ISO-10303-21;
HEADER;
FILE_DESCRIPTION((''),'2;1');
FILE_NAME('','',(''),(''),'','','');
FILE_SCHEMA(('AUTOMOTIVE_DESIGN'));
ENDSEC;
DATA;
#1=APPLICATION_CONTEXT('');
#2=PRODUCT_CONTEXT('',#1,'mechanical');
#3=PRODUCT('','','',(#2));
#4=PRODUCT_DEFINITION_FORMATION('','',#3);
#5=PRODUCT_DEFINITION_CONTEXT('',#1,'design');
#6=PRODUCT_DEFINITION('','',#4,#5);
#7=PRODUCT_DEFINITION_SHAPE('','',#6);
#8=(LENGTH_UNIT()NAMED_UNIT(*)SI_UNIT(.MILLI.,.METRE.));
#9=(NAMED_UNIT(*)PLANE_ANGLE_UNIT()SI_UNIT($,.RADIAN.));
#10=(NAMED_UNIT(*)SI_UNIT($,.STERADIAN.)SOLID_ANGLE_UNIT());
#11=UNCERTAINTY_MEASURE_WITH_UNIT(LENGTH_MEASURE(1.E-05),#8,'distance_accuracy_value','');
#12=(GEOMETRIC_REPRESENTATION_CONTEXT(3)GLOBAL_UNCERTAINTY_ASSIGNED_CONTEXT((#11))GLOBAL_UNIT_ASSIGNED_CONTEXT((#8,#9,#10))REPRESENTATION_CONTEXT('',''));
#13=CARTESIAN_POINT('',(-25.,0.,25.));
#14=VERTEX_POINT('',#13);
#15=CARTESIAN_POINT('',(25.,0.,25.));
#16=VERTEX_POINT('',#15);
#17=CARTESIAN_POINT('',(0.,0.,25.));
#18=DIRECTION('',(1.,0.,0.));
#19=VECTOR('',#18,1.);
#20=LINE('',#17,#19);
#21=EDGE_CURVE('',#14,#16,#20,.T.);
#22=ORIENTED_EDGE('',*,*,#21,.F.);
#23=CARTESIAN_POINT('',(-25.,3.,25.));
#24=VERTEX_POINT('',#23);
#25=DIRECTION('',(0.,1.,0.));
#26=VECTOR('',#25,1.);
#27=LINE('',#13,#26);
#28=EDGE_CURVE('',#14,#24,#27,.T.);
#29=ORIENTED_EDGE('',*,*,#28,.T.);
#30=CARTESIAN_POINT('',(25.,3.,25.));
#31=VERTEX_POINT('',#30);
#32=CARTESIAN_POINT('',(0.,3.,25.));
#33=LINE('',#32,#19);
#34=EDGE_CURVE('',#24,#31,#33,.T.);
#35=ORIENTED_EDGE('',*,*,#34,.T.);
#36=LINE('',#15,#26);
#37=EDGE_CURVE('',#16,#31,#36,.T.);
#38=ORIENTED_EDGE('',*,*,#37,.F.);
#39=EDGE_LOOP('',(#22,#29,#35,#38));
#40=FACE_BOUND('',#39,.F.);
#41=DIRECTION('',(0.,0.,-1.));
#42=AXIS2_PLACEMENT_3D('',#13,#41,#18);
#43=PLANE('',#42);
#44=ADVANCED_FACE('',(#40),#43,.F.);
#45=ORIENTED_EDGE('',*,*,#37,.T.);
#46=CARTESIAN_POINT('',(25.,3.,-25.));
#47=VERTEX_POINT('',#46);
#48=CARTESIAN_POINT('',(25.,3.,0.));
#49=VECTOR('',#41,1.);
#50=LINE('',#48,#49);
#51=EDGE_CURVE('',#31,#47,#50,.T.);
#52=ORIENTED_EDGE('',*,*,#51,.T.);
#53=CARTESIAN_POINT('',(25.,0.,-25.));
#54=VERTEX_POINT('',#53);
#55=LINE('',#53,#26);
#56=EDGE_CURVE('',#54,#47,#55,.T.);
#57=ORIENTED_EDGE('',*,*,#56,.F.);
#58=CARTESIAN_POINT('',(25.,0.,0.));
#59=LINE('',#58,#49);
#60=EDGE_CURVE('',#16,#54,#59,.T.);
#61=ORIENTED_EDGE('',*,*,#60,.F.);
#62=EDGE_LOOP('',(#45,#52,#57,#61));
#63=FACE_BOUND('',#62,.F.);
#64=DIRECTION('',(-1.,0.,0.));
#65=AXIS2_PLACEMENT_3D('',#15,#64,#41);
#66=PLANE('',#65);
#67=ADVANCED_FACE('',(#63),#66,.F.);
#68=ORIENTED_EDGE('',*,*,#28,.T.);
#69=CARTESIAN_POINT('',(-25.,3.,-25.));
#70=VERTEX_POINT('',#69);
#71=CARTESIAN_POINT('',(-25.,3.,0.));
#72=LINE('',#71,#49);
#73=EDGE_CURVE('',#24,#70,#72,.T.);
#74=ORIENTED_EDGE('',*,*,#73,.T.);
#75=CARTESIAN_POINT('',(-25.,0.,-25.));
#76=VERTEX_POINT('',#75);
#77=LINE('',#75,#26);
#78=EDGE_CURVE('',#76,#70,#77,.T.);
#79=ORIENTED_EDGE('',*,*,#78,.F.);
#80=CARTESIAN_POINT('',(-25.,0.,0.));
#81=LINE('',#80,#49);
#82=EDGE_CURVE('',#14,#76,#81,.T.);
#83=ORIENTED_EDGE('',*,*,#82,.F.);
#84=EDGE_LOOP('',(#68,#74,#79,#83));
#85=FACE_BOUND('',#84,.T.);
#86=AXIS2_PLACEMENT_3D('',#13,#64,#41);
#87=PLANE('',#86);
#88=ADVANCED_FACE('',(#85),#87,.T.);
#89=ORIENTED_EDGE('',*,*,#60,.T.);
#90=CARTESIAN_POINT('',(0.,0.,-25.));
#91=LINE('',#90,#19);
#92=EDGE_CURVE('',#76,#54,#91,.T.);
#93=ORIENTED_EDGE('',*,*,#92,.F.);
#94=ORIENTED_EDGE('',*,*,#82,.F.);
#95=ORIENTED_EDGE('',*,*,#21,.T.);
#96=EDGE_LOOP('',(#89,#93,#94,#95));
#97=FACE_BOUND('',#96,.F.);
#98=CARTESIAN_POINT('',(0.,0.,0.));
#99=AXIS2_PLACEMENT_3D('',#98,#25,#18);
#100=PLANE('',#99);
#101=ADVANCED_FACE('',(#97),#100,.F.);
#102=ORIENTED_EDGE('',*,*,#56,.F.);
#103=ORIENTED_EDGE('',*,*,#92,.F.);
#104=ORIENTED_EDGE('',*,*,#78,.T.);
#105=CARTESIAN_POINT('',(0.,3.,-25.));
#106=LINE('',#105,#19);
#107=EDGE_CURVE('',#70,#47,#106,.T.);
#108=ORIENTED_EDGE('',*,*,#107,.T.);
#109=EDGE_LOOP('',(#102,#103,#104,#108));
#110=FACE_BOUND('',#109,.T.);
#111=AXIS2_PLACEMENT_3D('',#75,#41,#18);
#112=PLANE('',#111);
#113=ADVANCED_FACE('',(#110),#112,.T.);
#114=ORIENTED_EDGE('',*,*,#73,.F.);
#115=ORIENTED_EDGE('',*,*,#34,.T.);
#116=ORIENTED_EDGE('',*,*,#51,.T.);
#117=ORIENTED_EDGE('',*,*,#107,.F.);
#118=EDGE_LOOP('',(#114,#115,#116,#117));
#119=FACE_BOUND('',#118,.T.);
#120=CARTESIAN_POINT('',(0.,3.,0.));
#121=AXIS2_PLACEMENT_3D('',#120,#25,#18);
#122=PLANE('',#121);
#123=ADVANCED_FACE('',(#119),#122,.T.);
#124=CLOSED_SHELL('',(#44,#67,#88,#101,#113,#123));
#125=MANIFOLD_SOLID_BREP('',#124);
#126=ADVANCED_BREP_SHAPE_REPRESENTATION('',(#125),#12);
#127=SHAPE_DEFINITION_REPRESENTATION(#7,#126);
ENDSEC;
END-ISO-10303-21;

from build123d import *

# Parameters (mm, degrees)
SKETCH_1_W      = 50
SKETCH_1_H      = 50
EXTRUDE_1_DEPTH = 3


with BuildPart() as part:
    # 草图1 → 凸台-拉伸1 (new body)
    with BuildSketch(Plane(origin=(0, 0, 0), x_dir=(1, 0, 0), z_dir=(0, 1, 0))):
        Rectangle(SKETCH_1_W, SKETCH_1_H)
    extrude(amount=EXTRUDE_1_DEPTH)


solid = part.part
